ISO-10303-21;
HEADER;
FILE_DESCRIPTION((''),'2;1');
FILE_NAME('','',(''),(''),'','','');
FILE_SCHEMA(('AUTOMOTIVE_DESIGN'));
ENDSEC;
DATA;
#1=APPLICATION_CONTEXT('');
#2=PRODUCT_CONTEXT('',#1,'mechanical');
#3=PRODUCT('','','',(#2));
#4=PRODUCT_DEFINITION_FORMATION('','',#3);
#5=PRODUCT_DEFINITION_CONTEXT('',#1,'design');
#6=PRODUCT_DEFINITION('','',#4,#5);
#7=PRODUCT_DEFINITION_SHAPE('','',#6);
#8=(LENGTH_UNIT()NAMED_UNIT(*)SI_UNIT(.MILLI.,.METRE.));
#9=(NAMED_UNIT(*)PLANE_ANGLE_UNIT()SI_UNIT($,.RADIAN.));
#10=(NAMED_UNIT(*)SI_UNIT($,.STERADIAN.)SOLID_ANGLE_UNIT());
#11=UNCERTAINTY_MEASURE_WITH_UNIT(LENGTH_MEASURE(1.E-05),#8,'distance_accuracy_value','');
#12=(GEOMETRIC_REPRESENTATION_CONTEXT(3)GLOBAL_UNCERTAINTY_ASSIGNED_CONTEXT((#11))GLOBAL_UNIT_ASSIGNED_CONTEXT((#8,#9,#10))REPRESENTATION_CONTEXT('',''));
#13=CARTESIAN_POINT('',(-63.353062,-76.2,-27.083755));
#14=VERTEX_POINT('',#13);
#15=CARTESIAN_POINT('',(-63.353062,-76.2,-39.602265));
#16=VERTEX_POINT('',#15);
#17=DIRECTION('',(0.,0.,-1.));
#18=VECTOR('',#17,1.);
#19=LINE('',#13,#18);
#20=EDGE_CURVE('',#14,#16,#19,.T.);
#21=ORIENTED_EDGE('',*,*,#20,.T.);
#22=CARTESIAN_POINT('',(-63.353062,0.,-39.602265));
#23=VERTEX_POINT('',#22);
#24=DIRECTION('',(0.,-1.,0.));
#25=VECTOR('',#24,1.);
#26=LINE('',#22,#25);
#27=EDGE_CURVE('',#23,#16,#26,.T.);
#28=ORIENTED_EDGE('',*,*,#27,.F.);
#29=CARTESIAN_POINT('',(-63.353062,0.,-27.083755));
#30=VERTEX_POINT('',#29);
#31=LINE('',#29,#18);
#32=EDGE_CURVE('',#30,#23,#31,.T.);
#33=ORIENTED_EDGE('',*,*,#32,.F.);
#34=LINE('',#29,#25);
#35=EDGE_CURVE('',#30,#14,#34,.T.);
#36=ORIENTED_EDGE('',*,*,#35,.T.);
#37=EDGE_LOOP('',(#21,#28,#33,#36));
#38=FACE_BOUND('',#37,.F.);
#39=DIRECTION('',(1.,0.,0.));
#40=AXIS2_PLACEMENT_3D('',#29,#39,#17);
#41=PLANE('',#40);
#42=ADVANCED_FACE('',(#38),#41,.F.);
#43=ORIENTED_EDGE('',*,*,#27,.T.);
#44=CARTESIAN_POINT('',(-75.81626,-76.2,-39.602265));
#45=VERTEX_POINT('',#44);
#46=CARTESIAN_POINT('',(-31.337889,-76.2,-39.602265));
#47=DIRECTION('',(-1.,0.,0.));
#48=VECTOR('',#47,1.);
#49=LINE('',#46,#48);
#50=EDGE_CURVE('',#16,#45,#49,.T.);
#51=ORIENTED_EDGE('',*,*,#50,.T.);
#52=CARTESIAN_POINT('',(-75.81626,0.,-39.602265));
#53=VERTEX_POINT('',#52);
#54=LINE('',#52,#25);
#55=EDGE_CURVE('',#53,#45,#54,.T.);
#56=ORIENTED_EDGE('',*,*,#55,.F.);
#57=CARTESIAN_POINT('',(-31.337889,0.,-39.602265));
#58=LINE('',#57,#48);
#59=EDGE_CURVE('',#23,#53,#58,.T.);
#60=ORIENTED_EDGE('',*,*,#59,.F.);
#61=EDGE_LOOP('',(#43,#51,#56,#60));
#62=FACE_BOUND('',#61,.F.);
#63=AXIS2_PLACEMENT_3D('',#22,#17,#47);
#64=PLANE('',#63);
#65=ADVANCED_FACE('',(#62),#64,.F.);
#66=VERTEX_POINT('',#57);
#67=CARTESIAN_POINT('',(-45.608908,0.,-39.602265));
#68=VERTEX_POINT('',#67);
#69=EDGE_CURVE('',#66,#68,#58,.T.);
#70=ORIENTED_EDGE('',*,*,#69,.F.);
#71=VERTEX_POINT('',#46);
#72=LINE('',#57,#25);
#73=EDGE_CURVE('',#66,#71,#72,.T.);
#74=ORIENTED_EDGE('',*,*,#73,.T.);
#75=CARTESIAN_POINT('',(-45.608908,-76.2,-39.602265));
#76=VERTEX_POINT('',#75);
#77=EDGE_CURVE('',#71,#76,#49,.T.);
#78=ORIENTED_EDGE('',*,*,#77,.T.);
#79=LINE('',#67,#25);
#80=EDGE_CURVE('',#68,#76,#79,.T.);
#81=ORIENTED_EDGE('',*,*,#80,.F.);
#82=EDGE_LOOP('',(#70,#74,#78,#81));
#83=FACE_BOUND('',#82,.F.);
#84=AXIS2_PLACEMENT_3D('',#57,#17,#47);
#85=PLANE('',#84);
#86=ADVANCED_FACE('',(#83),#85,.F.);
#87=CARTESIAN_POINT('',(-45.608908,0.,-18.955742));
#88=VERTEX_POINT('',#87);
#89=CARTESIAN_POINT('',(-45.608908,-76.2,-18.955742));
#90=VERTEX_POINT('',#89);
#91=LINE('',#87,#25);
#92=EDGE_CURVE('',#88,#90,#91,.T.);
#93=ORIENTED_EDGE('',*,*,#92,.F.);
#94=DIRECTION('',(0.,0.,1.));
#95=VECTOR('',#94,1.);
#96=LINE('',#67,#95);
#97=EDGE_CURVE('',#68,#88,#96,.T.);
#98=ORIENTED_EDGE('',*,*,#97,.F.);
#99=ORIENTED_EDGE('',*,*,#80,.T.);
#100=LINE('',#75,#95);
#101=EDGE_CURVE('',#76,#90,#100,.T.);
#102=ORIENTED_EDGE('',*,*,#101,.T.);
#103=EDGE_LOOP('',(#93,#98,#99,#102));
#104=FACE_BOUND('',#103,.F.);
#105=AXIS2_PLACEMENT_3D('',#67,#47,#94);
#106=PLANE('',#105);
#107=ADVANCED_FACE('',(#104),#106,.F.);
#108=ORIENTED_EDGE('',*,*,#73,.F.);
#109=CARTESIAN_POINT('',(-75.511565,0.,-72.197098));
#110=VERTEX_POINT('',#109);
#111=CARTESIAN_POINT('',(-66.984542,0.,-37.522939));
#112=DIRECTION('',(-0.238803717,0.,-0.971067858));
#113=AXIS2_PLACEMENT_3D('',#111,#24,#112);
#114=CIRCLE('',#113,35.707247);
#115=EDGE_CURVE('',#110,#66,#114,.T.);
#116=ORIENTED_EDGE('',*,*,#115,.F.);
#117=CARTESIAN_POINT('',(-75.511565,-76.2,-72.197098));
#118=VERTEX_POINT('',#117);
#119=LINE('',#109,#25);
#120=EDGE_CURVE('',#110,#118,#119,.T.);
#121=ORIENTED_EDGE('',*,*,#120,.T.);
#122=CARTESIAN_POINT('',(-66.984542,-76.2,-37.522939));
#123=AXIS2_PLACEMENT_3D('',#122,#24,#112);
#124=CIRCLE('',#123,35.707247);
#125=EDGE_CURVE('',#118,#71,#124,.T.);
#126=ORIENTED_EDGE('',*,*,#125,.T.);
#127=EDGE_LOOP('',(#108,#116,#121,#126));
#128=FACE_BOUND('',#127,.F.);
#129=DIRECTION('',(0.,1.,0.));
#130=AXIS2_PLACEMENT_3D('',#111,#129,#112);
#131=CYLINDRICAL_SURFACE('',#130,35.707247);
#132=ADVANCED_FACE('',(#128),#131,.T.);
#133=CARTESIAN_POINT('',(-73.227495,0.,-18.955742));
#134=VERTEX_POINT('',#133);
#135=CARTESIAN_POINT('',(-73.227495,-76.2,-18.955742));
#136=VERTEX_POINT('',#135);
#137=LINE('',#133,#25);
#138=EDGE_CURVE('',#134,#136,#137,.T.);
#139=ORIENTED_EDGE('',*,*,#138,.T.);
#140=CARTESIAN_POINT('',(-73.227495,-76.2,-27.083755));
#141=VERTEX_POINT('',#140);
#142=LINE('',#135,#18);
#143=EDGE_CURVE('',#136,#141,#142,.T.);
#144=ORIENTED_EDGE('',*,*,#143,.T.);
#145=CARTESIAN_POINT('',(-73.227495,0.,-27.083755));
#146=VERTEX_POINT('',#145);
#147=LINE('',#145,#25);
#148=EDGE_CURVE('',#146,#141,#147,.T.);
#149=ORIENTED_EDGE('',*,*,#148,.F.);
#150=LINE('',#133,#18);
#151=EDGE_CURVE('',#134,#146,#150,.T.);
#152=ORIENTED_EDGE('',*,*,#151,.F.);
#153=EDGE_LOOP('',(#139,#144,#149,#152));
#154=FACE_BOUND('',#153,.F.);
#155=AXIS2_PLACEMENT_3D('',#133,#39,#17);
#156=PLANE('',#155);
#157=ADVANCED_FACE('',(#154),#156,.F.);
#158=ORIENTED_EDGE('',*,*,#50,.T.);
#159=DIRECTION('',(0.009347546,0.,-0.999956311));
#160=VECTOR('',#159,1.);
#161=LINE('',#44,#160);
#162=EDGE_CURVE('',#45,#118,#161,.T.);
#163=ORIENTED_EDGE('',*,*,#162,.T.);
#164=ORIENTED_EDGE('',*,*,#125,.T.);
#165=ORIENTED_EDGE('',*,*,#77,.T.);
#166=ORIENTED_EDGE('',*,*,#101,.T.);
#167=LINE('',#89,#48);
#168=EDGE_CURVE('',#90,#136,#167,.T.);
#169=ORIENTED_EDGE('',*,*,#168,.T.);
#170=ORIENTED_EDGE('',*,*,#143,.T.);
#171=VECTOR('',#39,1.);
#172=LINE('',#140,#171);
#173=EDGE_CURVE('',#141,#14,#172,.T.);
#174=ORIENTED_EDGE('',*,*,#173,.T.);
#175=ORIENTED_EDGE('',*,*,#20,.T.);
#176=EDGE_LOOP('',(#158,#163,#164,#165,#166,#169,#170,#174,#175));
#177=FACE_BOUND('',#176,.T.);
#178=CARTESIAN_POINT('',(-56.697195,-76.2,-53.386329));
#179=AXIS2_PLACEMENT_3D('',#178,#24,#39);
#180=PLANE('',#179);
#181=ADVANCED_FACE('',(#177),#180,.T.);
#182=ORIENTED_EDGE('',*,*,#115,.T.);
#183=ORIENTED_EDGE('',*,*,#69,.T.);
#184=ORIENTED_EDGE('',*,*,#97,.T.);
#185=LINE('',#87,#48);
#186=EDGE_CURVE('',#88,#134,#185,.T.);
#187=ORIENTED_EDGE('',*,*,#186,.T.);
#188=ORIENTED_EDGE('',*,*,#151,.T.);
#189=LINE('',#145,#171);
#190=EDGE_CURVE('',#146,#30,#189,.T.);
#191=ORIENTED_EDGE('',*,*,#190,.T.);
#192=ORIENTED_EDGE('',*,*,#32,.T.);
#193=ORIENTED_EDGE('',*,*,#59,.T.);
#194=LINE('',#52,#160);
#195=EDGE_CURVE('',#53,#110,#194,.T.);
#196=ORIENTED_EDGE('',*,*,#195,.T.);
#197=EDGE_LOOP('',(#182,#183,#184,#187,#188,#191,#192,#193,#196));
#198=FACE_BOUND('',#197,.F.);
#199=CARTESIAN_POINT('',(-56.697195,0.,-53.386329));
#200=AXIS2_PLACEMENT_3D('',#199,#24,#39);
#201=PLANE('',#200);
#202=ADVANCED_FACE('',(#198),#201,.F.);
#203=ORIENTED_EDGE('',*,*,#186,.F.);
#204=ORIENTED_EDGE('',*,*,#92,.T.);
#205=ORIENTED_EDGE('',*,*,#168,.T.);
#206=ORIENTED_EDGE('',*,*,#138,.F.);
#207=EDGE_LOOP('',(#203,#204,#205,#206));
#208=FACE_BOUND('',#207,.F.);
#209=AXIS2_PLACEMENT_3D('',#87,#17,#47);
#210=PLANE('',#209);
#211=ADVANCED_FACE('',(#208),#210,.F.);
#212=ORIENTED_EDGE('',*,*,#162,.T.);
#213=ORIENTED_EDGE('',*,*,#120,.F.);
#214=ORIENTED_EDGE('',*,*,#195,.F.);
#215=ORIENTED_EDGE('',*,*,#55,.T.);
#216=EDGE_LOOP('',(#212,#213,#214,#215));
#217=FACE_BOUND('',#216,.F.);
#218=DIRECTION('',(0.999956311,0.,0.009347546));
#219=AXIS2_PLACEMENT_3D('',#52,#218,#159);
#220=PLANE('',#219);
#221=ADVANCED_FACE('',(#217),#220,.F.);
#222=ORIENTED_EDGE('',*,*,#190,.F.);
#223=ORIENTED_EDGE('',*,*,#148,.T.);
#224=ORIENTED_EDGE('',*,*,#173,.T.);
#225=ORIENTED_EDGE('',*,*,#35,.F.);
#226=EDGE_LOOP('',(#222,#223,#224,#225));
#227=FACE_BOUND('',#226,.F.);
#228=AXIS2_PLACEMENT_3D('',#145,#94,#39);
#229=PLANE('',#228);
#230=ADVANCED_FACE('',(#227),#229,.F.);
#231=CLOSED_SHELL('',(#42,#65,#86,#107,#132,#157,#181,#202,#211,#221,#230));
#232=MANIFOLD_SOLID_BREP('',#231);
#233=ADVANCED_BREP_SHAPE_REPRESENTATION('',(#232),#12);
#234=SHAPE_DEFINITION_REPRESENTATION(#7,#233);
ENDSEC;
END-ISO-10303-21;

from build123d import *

# Parameters (mm, degrees)
F1_DEPTH = 76.2


with BuildPart() as f1:
    # F0 (on Front) → F1 (new body)
    with BuildSketch(Plane.XZ):
        with BuildLine():
            Line((-75.81626, -39.602265), (-75.511565, -72.197098))
            ThreePointArc((-75.511565, -72.197098), (-45.783731, -66.25503), (-31.337889, -39.602265))
            Line((-31.337889, -39.602265), (-45.608908, -39.602265))
            Line((-45.608908, -39.602265), (-63.353062, -39.602265))
            Line((-63.353062, -39.602265), (-75.81626, -39.602265))
        make_face()
        Polygon((-63.353062, -39.602265), (-45.608908, -39.602265), (-45.608908, -18.955742), (-63.353062, -18.955742), (-73.227495, -18.955742), (-73.227495, -27.083755), (-63.353062, -27.083755), align=None)
    extrude(amount=F1_DEPTH)


solid = f1.part
